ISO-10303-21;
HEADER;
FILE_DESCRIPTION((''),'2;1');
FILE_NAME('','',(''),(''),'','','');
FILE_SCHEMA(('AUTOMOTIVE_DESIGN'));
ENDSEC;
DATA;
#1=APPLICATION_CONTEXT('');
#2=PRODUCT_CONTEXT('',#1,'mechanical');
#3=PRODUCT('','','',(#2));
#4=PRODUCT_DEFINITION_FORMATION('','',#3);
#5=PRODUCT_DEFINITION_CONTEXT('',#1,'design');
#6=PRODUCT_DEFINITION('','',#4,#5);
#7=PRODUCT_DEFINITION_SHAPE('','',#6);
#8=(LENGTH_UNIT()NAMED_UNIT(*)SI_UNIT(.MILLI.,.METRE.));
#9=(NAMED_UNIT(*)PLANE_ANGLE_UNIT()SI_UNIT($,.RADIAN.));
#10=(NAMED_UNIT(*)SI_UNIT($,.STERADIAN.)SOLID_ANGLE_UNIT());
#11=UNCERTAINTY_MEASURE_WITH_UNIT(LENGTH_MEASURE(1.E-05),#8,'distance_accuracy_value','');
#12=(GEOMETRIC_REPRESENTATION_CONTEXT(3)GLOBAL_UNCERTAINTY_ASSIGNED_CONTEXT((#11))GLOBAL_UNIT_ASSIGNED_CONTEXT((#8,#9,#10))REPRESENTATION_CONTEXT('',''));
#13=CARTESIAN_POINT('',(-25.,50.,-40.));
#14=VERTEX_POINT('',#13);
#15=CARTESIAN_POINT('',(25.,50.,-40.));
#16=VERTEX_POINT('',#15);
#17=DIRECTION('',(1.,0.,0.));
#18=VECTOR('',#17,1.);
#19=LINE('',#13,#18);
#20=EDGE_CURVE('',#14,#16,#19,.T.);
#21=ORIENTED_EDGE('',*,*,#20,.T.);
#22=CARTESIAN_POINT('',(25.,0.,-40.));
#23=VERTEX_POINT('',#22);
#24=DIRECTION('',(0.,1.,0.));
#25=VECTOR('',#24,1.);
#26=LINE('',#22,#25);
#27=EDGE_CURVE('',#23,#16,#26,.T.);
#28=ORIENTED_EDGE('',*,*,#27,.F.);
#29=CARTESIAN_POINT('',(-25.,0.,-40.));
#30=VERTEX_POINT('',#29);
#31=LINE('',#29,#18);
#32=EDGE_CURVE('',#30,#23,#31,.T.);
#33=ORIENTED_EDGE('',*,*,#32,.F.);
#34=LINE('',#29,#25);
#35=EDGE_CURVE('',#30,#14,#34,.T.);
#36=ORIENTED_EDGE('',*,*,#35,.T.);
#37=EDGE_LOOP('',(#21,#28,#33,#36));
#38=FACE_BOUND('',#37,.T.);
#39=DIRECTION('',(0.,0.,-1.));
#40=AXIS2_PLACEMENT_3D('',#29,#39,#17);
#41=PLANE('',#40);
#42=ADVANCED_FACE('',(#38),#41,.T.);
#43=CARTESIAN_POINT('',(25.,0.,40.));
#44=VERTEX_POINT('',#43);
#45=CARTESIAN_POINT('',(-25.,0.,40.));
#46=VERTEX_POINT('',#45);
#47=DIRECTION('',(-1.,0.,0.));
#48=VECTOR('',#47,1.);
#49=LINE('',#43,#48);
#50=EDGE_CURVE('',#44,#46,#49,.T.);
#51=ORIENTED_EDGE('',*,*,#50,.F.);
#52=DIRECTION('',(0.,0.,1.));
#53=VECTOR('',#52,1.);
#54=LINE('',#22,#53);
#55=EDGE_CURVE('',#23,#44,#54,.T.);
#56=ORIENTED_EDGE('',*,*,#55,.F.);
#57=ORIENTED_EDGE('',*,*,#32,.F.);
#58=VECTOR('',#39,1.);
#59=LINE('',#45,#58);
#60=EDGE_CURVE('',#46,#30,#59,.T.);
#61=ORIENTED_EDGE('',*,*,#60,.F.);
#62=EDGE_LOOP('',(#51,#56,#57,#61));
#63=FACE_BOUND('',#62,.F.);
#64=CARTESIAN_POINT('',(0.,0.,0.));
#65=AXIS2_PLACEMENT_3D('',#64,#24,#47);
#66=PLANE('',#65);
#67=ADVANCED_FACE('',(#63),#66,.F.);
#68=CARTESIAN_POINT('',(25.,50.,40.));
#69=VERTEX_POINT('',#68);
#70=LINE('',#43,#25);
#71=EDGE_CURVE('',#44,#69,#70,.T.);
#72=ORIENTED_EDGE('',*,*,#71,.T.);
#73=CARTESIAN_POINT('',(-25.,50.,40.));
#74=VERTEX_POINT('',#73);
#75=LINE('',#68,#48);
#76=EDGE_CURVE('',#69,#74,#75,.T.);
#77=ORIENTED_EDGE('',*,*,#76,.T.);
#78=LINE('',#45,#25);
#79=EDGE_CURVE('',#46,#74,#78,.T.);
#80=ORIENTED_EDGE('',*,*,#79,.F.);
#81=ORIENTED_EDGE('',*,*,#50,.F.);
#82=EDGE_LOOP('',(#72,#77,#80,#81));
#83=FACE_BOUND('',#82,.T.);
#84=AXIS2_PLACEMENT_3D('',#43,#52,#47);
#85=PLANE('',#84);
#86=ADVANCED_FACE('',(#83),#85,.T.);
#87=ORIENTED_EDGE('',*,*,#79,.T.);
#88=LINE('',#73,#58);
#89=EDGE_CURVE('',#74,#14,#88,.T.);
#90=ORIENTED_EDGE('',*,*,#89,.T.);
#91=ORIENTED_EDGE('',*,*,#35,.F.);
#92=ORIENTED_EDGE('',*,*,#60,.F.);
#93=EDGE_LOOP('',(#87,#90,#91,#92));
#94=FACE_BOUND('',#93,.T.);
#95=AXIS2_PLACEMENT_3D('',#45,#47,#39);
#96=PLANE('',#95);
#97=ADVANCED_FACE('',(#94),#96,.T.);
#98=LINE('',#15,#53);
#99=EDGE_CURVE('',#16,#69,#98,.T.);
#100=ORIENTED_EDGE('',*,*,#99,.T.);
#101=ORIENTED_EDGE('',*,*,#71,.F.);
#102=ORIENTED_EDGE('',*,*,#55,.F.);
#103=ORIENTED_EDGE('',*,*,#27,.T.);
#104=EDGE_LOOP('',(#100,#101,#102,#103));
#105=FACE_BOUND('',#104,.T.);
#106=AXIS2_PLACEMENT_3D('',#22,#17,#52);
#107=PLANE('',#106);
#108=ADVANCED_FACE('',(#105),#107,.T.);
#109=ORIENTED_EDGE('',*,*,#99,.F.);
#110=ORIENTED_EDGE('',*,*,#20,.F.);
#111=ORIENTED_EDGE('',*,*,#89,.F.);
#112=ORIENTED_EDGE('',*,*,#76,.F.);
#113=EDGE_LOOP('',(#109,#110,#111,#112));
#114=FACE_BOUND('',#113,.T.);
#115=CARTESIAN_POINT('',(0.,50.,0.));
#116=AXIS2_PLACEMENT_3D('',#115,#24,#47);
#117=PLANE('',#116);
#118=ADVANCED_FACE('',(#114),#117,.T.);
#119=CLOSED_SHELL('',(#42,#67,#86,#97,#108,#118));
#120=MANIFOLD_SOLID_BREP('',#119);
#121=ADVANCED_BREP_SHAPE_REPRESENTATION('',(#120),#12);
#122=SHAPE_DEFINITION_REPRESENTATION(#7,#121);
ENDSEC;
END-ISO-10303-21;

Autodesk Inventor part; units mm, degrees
ref_plane "YZ Plane" through (0, 0, 0) normal (1, 0, 0) x (0, 1, 0)
ref_plane "XZ Plane" through (0, 0, 0) normal (0, 1, 0) x (-1, 0, 0)
ref_plane "XY Plane" through (0, 0, 0) normal (0, 0, 1) x (1, 0, 0)
sketch "Sketch1" plane through (0, 0, 0) normal (0, 1, 0) x (-1, 0, 0)
  line L0 (25, -40) -> (-25, -40)
  line L1 (-25, -40) -> (-25, 40)
  line L2 (-25, 40) -> (25, 40)
  line L3 (25, 40) -> (25, -40)
  line L4 (25, -40) -> (-25, 40) construction
  line L5 (-25, -40) -> (25, 40) construction
  point P0 (0, 0)
  dimension "d0" = 50
  dimension "d1" = 80
extrude "Extrusion1" add sketch "Sketch1" along normal blind 50
properties part number "SampleQuader"
